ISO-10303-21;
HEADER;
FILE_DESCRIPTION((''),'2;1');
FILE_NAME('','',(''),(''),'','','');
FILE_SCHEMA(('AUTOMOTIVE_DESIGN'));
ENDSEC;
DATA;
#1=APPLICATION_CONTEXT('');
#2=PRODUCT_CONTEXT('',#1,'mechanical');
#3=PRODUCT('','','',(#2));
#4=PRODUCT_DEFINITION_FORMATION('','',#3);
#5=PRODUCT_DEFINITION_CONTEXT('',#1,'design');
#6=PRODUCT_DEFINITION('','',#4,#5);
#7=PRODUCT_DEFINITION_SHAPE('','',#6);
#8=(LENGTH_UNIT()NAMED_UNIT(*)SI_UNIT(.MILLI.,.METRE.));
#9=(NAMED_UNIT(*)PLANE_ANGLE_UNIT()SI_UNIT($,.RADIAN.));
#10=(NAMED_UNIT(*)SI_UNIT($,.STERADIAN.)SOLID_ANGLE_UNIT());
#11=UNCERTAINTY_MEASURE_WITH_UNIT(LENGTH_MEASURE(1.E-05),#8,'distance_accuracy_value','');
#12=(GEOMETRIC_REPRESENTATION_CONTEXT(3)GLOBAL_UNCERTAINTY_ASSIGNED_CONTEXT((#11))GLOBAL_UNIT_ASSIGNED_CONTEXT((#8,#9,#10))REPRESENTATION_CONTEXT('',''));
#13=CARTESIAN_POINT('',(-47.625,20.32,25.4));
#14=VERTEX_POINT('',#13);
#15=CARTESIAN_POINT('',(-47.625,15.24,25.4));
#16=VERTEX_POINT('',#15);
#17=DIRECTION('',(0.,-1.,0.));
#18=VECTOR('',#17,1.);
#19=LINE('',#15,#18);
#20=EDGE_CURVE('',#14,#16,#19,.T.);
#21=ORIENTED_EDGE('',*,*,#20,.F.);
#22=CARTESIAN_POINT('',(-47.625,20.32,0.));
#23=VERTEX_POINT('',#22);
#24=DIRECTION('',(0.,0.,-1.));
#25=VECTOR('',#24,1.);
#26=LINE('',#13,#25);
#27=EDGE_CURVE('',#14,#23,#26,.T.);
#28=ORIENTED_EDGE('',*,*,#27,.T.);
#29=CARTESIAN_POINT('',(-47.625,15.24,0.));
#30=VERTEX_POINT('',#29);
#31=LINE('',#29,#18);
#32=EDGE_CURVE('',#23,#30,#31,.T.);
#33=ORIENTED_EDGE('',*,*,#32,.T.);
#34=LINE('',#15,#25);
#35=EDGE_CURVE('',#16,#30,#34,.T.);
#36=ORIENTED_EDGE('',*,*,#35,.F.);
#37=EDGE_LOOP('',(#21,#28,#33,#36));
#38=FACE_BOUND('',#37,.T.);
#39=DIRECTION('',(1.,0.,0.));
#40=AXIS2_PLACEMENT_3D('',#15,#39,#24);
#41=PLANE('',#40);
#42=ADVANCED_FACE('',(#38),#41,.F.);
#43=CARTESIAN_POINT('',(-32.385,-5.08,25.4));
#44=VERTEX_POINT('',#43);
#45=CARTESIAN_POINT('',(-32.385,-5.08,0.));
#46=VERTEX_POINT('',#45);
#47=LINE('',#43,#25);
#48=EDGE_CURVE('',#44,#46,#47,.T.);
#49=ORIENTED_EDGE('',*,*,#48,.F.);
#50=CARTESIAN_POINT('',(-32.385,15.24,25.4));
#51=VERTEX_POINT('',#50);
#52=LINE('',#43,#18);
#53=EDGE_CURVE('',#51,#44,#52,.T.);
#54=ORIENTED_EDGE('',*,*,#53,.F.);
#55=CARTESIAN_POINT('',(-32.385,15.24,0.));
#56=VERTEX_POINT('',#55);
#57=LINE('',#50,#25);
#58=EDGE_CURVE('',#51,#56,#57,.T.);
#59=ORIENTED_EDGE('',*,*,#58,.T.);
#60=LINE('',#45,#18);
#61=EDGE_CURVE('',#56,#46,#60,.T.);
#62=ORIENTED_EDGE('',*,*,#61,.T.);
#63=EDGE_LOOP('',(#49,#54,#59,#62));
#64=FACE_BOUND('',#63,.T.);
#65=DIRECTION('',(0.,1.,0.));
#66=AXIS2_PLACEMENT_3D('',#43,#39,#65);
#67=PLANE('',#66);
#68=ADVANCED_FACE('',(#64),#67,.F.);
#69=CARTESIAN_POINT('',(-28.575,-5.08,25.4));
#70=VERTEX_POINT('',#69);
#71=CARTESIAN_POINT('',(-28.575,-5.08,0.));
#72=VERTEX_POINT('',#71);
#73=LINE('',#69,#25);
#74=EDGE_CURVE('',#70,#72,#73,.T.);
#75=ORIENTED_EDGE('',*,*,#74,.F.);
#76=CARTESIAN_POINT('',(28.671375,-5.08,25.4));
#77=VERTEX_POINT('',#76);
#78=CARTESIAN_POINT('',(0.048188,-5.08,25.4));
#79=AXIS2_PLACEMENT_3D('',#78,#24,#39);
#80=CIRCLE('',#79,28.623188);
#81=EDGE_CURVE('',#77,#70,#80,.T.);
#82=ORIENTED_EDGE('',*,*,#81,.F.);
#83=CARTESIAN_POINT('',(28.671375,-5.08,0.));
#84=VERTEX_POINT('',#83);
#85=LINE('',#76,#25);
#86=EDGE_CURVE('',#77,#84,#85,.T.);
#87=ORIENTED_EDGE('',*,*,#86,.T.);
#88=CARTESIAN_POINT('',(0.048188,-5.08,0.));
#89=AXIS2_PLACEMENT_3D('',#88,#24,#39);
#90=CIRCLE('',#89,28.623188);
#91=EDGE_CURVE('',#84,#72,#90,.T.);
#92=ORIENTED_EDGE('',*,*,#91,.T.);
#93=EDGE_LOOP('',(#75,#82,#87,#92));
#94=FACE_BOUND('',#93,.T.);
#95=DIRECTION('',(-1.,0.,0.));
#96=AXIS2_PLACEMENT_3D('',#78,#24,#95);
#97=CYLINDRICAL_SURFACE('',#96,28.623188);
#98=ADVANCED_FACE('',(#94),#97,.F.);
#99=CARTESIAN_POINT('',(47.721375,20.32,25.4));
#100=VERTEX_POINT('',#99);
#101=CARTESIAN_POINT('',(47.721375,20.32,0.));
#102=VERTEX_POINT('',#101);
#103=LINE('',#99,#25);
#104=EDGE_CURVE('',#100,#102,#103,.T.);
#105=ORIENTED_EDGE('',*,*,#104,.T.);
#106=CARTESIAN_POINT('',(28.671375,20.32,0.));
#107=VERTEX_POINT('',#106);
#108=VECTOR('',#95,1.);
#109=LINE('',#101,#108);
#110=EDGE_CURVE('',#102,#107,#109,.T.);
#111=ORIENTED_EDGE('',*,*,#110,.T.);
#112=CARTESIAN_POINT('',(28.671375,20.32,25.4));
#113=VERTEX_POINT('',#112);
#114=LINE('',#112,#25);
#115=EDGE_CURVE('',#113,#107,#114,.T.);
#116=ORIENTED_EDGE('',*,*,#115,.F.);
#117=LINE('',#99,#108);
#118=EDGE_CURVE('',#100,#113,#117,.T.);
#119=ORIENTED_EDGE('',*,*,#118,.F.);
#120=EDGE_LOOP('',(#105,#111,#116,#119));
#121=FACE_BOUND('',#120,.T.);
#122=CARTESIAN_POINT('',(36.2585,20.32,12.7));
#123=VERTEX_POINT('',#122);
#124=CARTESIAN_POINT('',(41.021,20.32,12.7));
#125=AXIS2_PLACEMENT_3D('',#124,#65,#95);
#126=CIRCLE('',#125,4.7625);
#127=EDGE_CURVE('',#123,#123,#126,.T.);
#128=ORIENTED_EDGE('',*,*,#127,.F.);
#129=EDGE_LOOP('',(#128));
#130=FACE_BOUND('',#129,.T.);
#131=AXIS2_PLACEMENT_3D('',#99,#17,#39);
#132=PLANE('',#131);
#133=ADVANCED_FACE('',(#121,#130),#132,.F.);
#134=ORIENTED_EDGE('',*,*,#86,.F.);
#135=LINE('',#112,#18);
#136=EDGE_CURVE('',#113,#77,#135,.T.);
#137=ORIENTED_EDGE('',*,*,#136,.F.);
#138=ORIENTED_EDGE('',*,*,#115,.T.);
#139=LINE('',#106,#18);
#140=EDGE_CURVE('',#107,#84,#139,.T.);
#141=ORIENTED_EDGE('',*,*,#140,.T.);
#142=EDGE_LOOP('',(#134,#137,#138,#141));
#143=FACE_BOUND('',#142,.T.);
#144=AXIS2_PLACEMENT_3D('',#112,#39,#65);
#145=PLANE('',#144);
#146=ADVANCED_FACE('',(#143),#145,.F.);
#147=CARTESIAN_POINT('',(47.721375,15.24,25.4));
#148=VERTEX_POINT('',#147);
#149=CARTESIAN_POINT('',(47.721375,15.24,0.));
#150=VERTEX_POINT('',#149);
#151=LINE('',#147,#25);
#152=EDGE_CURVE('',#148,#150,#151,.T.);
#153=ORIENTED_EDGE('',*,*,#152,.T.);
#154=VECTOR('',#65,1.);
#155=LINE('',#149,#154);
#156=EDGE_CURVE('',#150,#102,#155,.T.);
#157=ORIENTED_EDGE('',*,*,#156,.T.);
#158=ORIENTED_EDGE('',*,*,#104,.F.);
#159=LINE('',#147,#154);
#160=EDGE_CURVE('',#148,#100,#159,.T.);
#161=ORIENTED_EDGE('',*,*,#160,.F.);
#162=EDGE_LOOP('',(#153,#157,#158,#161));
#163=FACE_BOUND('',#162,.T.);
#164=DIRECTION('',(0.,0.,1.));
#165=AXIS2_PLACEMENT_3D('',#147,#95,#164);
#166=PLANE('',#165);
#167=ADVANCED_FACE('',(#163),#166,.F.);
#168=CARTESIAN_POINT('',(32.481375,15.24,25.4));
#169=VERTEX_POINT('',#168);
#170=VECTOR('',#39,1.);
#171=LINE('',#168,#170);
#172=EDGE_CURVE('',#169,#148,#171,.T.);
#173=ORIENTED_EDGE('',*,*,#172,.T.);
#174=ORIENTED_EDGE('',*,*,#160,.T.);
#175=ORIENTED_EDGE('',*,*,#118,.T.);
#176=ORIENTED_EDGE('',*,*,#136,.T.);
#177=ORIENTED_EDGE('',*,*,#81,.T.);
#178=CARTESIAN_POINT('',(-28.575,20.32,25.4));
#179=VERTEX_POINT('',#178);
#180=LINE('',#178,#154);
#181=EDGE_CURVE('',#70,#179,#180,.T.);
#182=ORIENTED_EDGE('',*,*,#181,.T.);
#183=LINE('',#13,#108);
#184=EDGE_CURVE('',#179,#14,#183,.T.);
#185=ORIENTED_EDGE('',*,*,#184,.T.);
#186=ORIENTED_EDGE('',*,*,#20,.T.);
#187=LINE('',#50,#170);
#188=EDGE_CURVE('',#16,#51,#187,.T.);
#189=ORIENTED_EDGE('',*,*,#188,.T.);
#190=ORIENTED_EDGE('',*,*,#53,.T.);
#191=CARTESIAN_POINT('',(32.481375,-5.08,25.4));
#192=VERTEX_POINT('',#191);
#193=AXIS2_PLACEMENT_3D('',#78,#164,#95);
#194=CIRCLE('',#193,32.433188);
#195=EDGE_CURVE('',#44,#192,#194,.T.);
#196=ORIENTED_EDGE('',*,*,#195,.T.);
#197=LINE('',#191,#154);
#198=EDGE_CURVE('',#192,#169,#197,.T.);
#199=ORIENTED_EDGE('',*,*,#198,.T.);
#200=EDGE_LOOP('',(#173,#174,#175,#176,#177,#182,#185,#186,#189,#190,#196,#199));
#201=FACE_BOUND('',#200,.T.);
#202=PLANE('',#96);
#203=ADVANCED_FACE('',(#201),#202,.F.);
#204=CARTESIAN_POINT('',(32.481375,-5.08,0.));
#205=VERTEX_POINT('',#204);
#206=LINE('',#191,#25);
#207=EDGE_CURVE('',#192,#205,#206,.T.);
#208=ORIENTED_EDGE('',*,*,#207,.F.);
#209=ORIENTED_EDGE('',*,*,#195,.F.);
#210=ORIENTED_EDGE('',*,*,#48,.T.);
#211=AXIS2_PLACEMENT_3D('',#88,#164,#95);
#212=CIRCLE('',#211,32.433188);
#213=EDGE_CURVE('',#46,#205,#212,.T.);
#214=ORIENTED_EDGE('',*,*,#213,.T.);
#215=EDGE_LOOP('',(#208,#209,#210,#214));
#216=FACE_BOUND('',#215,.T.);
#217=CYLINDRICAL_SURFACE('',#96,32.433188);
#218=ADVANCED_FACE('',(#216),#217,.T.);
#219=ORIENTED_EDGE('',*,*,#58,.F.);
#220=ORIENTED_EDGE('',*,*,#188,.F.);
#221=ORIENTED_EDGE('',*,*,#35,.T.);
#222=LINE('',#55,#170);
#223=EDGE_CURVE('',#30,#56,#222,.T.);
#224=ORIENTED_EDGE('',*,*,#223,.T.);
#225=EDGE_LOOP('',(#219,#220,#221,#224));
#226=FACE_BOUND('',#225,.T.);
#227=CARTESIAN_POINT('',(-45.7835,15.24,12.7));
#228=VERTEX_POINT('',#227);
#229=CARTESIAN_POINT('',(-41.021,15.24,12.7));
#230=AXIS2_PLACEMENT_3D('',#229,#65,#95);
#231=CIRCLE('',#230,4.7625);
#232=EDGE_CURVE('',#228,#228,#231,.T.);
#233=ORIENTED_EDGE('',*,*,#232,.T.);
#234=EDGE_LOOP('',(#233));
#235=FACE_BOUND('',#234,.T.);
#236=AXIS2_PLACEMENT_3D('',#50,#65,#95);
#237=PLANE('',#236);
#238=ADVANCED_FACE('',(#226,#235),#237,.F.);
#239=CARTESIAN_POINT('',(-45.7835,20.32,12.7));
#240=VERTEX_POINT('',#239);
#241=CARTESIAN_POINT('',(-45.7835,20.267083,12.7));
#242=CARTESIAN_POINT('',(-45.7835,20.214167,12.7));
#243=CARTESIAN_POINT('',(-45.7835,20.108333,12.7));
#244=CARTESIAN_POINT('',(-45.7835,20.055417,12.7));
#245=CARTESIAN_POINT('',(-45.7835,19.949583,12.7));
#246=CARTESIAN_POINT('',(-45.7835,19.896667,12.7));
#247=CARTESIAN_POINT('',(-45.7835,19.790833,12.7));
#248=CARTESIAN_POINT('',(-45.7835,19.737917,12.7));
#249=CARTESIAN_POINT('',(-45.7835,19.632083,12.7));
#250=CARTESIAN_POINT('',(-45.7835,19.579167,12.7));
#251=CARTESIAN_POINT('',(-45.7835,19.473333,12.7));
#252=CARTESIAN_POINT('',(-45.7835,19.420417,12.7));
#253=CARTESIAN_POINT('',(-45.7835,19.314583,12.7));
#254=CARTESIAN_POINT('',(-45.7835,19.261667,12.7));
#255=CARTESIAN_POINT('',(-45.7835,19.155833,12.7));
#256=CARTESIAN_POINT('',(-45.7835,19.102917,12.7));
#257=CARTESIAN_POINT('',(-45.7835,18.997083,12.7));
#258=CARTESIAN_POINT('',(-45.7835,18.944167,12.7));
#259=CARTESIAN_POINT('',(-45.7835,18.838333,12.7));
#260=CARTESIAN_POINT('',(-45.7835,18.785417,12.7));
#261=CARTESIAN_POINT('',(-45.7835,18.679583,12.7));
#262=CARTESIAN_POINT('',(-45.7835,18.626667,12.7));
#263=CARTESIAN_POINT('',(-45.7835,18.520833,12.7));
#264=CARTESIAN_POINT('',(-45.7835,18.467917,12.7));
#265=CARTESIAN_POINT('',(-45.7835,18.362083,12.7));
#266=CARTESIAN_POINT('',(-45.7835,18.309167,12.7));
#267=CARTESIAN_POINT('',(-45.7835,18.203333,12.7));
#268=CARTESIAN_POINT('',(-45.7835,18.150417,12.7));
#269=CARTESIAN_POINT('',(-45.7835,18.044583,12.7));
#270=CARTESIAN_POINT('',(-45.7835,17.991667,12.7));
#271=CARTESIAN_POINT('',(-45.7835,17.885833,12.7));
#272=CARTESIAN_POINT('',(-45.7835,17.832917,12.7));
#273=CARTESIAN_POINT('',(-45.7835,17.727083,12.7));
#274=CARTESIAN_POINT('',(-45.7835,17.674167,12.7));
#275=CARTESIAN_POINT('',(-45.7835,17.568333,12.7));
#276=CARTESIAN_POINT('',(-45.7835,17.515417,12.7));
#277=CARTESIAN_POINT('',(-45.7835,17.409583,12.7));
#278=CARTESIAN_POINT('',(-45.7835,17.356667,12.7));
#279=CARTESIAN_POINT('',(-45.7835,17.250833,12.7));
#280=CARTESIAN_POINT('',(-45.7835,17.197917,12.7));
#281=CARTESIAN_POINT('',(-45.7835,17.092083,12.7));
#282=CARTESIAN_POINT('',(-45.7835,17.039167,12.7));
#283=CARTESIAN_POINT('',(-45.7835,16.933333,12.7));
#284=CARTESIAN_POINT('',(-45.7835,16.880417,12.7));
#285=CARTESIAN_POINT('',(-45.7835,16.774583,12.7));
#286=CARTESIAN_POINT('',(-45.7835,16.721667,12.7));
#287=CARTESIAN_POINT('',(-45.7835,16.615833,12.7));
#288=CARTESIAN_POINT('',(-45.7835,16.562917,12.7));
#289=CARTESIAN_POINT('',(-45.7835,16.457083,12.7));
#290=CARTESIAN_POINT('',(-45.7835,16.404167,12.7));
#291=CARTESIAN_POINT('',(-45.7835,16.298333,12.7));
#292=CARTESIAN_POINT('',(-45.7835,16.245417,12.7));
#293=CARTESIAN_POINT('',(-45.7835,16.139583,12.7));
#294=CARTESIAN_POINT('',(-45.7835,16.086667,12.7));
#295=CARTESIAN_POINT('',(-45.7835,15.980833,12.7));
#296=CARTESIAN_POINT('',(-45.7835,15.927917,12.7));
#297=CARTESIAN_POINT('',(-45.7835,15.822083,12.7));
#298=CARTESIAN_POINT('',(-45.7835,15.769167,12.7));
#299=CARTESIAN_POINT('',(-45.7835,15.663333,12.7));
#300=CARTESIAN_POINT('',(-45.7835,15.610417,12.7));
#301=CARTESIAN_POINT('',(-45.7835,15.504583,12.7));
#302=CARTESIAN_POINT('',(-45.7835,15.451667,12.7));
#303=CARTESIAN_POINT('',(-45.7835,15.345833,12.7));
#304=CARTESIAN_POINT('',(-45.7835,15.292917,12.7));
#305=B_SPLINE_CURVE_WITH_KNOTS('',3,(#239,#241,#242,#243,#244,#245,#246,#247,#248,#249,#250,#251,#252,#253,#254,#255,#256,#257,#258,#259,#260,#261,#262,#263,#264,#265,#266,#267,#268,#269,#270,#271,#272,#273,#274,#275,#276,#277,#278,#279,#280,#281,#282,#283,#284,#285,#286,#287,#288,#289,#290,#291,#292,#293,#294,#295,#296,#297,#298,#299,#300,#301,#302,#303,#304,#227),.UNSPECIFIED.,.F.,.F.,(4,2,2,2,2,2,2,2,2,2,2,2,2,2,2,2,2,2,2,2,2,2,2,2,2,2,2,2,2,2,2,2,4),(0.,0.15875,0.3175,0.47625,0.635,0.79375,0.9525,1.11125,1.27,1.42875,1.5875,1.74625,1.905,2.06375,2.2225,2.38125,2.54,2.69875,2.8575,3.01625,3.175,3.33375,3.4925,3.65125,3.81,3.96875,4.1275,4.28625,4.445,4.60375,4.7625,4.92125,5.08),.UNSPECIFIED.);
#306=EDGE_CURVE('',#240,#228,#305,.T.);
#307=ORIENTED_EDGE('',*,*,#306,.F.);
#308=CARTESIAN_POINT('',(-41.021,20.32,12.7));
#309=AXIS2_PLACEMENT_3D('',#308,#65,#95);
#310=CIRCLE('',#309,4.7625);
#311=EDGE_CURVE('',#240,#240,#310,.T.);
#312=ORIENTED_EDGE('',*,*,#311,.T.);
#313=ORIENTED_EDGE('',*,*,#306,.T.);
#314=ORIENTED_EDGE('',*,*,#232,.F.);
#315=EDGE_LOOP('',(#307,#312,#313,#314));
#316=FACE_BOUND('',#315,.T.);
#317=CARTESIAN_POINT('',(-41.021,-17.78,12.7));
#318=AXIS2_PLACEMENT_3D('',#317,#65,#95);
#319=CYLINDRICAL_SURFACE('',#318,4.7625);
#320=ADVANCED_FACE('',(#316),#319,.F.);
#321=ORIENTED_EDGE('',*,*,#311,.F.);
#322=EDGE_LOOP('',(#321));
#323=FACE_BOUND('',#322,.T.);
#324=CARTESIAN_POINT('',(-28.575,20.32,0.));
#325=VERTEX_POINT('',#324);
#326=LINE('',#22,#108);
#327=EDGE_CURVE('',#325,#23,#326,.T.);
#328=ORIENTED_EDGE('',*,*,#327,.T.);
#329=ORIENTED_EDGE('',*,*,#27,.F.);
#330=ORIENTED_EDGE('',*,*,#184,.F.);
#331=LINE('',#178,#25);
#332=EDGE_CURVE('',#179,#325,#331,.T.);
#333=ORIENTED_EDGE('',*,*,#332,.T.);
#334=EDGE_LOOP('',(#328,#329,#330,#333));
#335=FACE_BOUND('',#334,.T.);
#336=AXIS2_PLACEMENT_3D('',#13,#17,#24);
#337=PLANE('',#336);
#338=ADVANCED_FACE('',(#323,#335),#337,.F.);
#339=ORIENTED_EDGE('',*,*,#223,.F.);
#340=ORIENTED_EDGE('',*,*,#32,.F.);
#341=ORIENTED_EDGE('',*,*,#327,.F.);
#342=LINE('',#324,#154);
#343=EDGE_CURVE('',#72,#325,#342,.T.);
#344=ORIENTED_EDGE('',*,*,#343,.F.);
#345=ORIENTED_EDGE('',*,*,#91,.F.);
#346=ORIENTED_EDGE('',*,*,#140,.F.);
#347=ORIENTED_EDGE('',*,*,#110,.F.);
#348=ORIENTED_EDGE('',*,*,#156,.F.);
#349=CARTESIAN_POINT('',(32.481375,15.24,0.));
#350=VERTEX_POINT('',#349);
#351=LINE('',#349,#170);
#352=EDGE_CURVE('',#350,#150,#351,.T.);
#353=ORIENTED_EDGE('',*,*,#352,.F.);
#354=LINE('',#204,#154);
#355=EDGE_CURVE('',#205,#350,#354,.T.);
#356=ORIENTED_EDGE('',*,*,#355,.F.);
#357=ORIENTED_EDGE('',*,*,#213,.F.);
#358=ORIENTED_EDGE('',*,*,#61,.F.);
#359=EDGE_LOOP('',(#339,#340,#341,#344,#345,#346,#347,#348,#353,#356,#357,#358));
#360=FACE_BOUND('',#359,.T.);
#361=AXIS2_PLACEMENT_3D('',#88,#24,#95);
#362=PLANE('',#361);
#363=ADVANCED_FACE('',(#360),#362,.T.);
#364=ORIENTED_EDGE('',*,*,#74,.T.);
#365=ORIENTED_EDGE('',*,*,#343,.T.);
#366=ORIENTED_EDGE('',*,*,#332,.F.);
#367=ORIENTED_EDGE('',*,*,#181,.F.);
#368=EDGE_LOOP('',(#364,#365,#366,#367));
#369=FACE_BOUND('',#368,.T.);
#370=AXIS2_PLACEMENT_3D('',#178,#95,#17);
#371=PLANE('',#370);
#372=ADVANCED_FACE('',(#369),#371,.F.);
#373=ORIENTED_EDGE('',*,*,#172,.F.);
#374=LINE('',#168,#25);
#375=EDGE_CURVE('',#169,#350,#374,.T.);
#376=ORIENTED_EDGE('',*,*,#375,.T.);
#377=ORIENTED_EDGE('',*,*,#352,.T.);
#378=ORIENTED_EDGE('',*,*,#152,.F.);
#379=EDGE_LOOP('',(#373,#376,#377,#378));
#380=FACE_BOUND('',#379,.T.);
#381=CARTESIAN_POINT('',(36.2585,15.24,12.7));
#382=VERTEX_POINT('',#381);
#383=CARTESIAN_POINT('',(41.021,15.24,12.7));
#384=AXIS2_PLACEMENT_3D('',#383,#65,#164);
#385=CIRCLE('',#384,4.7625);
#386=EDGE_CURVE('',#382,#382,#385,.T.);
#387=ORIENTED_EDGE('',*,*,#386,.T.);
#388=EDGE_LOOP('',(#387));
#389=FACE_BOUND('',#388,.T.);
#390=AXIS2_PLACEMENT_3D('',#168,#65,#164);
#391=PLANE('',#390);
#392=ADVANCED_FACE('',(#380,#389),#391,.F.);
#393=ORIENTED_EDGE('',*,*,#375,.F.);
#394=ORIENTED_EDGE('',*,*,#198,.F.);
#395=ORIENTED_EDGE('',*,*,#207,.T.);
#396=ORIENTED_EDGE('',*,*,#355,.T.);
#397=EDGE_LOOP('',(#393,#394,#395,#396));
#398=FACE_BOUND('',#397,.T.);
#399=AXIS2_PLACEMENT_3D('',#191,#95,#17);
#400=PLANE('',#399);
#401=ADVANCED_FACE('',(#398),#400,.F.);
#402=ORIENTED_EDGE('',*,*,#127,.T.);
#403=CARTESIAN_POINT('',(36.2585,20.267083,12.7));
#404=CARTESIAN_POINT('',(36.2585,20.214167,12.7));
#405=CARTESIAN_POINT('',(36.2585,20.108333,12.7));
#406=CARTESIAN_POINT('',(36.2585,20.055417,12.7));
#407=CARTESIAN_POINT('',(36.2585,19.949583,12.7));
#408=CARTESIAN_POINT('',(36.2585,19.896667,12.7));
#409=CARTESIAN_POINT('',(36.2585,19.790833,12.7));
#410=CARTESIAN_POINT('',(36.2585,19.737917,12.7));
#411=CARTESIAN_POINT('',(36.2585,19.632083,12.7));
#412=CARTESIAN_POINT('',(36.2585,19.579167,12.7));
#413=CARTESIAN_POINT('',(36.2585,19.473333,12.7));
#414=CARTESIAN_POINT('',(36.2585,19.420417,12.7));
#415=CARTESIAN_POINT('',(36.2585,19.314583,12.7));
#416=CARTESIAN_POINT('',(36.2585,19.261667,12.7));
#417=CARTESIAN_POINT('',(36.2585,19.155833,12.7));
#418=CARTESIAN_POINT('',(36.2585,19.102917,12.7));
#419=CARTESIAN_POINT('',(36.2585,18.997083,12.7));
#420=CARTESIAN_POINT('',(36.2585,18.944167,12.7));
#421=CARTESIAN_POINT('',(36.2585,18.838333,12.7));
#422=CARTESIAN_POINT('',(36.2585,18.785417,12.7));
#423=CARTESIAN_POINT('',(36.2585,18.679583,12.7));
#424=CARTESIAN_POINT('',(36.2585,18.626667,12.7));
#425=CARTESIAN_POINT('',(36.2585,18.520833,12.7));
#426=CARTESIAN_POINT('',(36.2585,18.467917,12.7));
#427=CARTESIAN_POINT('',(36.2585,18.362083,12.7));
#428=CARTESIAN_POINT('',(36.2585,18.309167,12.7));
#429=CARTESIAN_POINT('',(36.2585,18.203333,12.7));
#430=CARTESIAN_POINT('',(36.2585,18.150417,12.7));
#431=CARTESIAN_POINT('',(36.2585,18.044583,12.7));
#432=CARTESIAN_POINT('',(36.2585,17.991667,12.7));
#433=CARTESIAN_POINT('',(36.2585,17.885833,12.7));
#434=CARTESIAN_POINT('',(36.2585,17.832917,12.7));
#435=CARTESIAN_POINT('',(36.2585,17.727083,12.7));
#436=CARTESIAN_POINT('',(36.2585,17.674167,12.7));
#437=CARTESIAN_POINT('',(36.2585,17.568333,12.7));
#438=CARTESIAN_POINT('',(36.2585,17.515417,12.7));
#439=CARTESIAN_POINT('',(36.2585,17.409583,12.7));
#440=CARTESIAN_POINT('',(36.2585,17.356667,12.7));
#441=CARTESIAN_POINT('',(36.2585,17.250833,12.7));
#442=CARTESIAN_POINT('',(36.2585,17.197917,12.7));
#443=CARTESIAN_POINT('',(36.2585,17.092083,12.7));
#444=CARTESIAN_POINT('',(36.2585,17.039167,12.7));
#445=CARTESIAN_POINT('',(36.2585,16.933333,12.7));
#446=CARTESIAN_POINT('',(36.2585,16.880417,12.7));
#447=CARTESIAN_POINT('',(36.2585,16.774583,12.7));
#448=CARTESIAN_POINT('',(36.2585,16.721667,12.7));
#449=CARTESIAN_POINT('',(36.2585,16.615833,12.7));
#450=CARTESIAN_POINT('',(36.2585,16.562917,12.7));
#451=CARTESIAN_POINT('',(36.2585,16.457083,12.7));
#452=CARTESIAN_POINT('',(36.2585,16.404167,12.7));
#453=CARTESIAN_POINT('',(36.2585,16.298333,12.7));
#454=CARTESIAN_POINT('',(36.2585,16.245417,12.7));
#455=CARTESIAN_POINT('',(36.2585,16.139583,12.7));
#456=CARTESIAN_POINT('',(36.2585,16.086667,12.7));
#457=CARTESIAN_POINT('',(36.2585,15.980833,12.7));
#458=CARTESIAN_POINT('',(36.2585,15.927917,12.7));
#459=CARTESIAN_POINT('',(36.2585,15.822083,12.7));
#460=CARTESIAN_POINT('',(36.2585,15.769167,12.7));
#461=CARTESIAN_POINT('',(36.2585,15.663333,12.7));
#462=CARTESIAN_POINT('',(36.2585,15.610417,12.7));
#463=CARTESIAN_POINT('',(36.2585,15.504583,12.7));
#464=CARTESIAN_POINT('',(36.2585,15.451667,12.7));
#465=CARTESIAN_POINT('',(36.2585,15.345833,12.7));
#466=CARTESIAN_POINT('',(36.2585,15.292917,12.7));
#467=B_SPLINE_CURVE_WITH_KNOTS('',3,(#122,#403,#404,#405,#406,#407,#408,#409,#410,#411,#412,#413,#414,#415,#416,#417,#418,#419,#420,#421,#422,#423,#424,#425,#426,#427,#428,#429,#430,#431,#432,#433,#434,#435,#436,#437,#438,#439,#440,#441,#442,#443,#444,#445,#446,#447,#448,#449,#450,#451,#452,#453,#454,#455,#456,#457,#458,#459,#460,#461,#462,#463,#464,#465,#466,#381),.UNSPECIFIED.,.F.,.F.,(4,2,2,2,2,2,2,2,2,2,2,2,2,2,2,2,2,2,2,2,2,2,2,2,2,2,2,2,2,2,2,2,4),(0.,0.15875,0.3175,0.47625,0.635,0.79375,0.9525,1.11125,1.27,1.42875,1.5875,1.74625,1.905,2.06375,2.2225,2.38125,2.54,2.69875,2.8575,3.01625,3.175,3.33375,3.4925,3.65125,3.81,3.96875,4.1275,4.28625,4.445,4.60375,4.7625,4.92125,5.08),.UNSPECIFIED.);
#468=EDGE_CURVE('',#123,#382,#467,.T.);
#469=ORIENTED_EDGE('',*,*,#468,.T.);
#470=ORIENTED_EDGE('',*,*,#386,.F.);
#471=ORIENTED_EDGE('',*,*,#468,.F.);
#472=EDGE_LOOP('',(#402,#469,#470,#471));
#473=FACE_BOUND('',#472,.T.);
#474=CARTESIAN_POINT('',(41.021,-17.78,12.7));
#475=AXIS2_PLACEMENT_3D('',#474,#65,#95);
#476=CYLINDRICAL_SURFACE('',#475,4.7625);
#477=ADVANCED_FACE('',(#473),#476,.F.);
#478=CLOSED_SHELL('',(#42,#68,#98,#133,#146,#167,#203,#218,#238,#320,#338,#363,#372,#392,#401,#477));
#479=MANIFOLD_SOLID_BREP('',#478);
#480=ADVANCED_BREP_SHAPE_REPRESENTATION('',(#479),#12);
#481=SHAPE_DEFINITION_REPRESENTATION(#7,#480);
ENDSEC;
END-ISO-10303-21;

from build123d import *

# Parameters (mm, degrees)
BOSS_EXTRUDE2_DEPTH = 25.4
SKETCH5_R           = 4.7625
CUT_EXTRUDE1_DEPTH  = 38.1


with BuildPart() as part:
    # Sketch4 → Boss-Extrude2 (new body)
    with BuildSketch(Plane.XY):
        with BuildLine():
            Line((-32.385, 15.24), (-47.625, 15.24))
            Line((-47.625, 15.24), (-47.625, 20.32))
            Line((-47.625, 20.32), (-28.575, 20.32))
            Line((-28.575, 20.32), (-28.575, -5.08))
            ThreePointArc((-28.575, -5.08), (0.048187712, -33.703187712), (28.671375425, -5.08))
            Line((28.671375425, -5.08), (28.671375425, 20.32))
            Line((28.671375425, 20.32), (47.721375425, 20.32))
            Line((47.721375425, 20.32), (47.721375425, 15.24))
            Line((47.721375425, 15.24), (32.481375425, 15.24))
            Line((32.481375425, 15.24), (32.481375425, -5.08))
            ThreePointArc((32.481375425, -5.08), (0.048187712, -37.513187712), (-32.385, -5.08))
            Line((-32.385, -5.08), (-32.385, 15.24))
        make_face()
    extrude(amount=BOSS_EXTRUDE2_DEPTH)

    # Sketch5 → Cut-Extrude1 (cut)
    with BuildSketch(Plane(origin=(0, 20.32, 0), x_dir=(1, 0, 0), z_dir=(0, 1, 0))):
        with Locations(Location((-41.021, -12.7, 0), (0, 0, 180))):
            Circle(SKETCH5_R)
        with Locations(Location((41.021, -12.7, 0), (0, 0, 180))):
            Circle(SKETCH5_R)
    extrude(amount=-CUT_EXTRUDE1_DEPTH, mode=Mode.SUBTRACT)


solid = part.part
